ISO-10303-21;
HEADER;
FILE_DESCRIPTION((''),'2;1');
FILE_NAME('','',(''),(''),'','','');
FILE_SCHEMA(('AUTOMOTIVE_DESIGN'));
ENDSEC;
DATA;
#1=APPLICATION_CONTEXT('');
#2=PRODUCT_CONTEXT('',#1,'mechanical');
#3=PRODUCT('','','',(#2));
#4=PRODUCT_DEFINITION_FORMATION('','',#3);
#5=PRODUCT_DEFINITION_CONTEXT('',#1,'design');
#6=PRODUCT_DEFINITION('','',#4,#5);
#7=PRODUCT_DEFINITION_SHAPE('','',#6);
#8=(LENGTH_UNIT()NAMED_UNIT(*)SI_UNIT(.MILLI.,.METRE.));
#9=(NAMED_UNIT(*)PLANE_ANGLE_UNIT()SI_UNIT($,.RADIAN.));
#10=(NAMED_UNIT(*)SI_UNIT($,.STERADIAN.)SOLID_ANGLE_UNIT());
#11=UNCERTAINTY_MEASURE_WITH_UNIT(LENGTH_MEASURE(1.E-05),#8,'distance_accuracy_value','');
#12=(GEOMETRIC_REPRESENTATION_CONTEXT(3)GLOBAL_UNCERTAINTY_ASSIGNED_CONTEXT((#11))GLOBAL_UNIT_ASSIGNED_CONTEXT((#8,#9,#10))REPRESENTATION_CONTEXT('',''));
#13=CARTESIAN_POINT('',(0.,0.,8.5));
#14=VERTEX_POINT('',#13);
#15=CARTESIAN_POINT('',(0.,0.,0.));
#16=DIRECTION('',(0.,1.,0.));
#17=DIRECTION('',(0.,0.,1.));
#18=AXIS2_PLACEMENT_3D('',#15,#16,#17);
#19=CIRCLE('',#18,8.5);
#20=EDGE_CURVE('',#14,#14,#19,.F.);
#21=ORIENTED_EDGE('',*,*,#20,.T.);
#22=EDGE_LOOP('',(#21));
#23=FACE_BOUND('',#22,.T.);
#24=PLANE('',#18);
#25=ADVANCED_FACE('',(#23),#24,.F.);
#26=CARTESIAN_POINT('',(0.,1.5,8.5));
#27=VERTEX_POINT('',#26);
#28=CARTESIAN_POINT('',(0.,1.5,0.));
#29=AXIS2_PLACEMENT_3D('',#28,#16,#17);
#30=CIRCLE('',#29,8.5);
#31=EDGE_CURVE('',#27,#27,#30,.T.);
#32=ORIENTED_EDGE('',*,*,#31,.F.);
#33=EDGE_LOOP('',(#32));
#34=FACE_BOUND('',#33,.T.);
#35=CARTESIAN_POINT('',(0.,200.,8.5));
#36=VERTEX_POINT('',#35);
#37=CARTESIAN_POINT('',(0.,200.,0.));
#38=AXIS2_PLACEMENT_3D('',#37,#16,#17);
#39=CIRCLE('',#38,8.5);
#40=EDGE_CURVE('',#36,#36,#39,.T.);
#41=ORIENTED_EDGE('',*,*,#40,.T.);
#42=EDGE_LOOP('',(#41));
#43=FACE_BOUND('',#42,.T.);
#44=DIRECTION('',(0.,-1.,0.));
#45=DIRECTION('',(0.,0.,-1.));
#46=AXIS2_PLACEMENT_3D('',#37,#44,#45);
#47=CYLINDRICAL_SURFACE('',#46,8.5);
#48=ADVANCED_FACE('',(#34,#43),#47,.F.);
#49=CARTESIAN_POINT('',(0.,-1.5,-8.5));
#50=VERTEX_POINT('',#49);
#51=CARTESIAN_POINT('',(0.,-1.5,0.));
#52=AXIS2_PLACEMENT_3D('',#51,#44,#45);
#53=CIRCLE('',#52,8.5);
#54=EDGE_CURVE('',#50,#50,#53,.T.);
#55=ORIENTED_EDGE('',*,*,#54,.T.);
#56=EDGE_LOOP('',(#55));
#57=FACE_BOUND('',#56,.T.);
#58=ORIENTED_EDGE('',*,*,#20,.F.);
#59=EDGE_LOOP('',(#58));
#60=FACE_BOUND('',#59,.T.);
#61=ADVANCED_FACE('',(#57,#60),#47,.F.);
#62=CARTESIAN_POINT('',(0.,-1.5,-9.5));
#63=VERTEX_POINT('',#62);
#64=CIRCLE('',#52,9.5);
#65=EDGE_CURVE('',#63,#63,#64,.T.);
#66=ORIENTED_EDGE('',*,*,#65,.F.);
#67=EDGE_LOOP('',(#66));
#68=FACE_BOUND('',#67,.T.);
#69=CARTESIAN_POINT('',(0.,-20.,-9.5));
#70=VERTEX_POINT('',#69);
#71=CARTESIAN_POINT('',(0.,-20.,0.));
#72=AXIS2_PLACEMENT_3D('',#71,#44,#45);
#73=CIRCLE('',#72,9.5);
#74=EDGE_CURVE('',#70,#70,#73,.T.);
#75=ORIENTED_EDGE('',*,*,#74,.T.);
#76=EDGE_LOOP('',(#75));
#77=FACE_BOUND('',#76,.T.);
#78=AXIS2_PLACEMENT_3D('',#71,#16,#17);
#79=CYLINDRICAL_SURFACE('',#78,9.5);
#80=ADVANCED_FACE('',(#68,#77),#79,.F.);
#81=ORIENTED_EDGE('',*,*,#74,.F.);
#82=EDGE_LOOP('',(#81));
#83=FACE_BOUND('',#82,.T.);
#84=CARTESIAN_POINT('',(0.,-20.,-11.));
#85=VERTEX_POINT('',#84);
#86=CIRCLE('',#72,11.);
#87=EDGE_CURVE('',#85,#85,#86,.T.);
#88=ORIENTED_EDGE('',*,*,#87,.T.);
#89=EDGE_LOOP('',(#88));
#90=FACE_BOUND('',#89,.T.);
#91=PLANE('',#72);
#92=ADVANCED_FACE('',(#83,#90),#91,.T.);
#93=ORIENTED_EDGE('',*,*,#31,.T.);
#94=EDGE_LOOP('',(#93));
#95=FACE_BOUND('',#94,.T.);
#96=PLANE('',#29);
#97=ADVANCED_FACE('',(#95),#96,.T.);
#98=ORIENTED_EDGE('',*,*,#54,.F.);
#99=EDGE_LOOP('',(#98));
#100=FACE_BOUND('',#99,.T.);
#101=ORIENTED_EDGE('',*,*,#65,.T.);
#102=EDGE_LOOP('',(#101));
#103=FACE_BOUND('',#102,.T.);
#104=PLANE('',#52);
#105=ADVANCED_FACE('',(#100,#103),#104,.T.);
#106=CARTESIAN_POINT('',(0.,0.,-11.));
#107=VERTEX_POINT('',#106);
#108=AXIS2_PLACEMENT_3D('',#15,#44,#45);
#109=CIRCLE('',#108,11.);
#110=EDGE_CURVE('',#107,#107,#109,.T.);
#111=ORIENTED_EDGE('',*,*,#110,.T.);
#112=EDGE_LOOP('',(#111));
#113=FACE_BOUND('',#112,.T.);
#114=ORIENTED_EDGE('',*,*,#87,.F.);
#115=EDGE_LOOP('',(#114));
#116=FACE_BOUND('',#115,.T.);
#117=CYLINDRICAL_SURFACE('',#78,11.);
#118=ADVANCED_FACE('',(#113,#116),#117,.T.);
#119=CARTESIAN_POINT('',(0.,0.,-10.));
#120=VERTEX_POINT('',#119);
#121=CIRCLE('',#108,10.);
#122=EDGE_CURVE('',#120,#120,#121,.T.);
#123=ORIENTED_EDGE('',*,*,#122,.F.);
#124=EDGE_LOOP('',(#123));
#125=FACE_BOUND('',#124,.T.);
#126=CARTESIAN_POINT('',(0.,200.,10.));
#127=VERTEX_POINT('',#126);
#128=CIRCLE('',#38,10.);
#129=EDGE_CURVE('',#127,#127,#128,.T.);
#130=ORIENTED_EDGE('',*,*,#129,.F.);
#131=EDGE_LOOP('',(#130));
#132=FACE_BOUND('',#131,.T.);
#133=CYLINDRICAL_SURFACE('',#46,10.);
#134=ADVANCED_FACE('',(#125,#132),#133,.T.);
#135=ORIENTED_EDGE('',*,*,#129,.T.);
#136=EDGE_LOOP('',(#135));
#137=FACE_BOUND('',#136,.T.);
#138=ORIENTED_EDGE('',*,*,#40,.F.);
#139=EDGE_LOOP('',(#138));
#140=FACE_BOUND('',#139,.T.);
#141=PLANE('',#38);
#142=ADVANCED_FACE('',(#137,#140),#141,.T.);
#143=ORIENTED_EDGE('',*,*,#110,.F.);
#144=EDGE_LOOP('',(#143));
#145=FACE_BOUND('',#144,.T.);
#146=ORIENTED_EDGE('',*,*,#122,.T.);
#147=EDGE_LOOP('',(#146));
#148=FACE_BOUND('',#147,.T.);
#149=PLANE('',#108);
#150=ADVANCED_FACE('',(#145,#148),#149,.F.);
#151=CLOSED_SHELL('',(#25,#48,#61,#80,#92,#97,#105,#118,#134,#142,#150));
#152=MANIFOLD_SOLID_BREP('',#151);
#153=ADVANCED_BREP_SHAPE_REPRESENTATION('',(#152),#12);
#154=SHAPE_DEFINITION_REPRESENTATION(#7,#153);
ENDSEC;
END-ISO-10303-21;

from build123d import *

# Parameters (mm, degrees)
SKETCH1_R           = 10
BOSS_EXTRUDE1_DEPTH = 200
SHELL1_T            = -1.5
SKETCH2_R           = 11
BOSS_EXTRUDE2_DEPTH = 20
SHELL2_T            = -1.5


with BuildPart() as part:
    # Sketch1 → Boss-Extrude1 (new body)
    with BuildSketch(Plane(origin=(0, 0, 0), x_dir=(1, 0, 0), z_dir=(0, 1, 0))):
        with Locations(Location((0, 0, 0), (0, 0, 270))):
            Circle(SKETCH1_R)
    extrude(amount=BOSS_EXTRUDE1_DEPTH)

    # Shell1
    shell1_openings = [part.faces().sort_by_distance(p)[0] for p in [
        (0, 200, 0),
    ]]
    offset(amount=SHELL1_T, openings=shell1_openings, kind=Kind.INTERSECTION)

    # Sketch2 → Boss-Extrude2 (add)
    with BuildSketch(Plane.XZ):
        with Locations(Location((0, 0, 0), (0, 0, 270))):
            Circle(SKETCH2_R)
    extrude(amount=BOSS_EXTRUDE2_DEPTH)

    # Shell2
    shell2_openings = [part.faces().sort_by_distance(p)[0] for p in [
        (0, -20, 0),
    ]]
    offset(amount=SHELL2_T, openings=shell2_openings, kind=Kind.INTERSECTION)


solid = part.part
